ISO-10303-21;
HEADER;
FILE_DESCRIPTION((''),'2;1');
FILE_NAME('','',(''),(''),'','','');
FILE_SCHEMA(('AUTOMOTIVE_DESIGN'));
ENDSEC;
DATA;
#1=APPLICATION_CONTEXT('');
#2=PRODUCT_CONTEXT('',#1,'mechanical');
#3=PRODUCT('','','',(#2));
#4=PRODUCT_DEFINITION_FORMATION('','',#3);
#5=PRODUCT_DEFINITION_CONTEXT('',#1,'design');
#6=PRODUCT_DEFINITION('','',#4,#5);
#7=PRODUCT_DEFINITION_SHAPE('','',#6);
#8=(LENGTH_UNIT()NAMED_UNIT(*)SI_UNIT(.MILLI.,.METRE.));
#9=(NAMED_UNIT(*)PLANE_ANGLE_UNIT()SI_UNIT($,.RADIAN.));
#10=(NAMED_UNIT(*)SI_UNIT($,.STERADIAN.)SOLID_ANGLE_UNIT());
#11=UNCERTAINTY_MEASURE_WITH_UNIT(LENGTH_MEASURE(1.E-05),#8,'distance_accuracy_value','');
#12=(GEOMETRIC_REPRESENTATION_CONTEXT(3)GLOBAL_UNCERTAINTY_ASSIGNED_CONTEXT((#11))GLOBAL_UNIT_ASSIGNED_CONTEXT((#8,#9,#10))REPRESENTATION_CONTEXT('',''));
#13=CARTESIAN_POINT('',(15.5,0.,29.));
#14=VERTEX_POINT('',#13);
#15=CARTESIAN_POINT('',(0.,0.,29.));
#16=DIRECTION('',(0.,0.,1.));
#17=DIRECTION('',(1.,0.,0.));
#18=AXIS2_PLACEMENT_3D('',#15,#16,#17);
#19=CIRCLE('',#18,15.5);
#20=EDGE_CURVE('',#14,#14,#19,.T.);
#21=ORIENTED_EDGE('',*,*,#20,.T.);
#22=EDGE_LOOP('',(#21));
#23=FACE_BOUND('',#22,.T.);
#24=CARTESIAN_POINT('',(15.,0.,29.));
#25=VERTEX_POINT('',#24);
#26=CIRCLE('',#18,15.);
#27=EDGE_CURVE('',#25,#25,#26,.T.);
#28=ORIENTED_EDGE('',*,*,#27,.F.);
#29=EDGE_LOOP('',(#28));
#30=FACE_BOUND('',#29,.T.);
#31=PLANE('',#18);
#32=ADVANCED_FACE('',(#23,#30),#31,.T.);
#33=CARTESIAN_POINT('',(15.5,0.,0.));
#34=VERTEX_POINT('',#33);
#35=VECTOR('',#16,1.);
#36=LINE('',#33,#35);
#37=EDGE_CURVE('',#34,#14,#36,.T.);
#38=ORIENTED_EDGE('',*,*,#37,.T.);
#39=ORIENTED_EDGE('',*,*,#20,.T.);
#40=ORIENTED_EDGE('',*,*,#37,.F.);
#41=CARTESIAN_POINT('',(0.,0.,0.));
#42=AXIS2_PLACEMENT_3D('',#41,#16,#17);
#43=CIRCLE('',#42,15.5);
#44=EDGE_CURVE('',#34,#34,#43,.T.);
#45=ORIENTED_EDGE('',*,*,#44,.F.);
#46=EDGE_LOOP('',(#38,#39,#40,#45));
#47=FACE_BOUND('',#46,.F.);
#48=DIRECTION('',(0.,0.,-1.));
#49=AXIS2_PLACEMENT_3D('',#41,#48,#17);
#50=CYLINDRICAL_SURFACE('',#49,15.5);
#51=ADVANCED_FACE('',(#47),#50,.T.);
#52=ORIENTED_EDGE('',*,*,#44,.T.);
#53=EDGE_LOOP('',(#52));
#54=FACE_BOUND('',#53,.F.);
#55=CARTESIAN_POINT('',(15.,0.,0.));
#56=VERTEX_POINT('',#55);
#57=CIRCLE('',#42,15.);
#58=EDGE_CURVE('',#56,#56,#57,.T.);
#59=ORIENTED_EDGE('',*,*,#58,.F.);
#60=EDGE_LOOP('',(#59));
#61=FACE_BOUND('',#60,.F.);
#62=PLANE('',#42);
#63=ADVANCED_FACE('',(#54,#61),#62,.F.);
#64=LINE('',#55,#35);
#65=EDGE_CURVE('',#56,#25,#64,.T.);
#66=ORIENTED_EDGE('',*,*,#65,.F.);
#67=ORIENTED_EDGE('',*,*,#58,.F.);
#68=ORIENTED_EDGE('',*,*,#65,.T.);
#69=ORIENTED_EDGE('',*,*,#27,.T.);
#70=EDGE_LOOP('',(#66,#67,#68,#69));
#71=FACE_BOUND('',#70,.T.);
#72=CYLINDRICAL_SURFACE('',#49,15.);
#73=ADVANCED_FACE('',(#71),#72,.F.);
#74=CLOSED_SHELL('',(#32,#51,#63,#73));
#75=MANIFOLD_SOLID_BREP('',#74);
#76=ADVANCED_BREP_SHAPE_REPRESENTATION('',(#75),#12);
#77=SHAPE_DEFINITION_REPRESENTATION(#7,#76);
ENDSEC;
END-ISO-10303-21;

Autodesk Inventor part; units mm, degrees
ref_plane "YZ Plane" through (0, 0, 0) normal (1, 0, 0) x (0, 1, 0)
ref_plane "XZ Plane" through (0, 0, 0) normal (0, 1, 0) x (-1, 0, 0)
ref_plane "XY Plane" through (0, 0, 0) normal (0, 0, 1) x (1, 0, 0)
sketch "Sketch1" plane through (0, 0, 0) normal (0, 0, 1) x (1, 0, 0)
  circle A0 centre (0, 0) radius 15
  circle A1 centre (0, 0) radius 15.5
  dimension "d0" = 30
  dimension "d1" = 31
extrude "Extrusion1" add sketch "Sketch1" along normal blind 29
properties part number "shield"
